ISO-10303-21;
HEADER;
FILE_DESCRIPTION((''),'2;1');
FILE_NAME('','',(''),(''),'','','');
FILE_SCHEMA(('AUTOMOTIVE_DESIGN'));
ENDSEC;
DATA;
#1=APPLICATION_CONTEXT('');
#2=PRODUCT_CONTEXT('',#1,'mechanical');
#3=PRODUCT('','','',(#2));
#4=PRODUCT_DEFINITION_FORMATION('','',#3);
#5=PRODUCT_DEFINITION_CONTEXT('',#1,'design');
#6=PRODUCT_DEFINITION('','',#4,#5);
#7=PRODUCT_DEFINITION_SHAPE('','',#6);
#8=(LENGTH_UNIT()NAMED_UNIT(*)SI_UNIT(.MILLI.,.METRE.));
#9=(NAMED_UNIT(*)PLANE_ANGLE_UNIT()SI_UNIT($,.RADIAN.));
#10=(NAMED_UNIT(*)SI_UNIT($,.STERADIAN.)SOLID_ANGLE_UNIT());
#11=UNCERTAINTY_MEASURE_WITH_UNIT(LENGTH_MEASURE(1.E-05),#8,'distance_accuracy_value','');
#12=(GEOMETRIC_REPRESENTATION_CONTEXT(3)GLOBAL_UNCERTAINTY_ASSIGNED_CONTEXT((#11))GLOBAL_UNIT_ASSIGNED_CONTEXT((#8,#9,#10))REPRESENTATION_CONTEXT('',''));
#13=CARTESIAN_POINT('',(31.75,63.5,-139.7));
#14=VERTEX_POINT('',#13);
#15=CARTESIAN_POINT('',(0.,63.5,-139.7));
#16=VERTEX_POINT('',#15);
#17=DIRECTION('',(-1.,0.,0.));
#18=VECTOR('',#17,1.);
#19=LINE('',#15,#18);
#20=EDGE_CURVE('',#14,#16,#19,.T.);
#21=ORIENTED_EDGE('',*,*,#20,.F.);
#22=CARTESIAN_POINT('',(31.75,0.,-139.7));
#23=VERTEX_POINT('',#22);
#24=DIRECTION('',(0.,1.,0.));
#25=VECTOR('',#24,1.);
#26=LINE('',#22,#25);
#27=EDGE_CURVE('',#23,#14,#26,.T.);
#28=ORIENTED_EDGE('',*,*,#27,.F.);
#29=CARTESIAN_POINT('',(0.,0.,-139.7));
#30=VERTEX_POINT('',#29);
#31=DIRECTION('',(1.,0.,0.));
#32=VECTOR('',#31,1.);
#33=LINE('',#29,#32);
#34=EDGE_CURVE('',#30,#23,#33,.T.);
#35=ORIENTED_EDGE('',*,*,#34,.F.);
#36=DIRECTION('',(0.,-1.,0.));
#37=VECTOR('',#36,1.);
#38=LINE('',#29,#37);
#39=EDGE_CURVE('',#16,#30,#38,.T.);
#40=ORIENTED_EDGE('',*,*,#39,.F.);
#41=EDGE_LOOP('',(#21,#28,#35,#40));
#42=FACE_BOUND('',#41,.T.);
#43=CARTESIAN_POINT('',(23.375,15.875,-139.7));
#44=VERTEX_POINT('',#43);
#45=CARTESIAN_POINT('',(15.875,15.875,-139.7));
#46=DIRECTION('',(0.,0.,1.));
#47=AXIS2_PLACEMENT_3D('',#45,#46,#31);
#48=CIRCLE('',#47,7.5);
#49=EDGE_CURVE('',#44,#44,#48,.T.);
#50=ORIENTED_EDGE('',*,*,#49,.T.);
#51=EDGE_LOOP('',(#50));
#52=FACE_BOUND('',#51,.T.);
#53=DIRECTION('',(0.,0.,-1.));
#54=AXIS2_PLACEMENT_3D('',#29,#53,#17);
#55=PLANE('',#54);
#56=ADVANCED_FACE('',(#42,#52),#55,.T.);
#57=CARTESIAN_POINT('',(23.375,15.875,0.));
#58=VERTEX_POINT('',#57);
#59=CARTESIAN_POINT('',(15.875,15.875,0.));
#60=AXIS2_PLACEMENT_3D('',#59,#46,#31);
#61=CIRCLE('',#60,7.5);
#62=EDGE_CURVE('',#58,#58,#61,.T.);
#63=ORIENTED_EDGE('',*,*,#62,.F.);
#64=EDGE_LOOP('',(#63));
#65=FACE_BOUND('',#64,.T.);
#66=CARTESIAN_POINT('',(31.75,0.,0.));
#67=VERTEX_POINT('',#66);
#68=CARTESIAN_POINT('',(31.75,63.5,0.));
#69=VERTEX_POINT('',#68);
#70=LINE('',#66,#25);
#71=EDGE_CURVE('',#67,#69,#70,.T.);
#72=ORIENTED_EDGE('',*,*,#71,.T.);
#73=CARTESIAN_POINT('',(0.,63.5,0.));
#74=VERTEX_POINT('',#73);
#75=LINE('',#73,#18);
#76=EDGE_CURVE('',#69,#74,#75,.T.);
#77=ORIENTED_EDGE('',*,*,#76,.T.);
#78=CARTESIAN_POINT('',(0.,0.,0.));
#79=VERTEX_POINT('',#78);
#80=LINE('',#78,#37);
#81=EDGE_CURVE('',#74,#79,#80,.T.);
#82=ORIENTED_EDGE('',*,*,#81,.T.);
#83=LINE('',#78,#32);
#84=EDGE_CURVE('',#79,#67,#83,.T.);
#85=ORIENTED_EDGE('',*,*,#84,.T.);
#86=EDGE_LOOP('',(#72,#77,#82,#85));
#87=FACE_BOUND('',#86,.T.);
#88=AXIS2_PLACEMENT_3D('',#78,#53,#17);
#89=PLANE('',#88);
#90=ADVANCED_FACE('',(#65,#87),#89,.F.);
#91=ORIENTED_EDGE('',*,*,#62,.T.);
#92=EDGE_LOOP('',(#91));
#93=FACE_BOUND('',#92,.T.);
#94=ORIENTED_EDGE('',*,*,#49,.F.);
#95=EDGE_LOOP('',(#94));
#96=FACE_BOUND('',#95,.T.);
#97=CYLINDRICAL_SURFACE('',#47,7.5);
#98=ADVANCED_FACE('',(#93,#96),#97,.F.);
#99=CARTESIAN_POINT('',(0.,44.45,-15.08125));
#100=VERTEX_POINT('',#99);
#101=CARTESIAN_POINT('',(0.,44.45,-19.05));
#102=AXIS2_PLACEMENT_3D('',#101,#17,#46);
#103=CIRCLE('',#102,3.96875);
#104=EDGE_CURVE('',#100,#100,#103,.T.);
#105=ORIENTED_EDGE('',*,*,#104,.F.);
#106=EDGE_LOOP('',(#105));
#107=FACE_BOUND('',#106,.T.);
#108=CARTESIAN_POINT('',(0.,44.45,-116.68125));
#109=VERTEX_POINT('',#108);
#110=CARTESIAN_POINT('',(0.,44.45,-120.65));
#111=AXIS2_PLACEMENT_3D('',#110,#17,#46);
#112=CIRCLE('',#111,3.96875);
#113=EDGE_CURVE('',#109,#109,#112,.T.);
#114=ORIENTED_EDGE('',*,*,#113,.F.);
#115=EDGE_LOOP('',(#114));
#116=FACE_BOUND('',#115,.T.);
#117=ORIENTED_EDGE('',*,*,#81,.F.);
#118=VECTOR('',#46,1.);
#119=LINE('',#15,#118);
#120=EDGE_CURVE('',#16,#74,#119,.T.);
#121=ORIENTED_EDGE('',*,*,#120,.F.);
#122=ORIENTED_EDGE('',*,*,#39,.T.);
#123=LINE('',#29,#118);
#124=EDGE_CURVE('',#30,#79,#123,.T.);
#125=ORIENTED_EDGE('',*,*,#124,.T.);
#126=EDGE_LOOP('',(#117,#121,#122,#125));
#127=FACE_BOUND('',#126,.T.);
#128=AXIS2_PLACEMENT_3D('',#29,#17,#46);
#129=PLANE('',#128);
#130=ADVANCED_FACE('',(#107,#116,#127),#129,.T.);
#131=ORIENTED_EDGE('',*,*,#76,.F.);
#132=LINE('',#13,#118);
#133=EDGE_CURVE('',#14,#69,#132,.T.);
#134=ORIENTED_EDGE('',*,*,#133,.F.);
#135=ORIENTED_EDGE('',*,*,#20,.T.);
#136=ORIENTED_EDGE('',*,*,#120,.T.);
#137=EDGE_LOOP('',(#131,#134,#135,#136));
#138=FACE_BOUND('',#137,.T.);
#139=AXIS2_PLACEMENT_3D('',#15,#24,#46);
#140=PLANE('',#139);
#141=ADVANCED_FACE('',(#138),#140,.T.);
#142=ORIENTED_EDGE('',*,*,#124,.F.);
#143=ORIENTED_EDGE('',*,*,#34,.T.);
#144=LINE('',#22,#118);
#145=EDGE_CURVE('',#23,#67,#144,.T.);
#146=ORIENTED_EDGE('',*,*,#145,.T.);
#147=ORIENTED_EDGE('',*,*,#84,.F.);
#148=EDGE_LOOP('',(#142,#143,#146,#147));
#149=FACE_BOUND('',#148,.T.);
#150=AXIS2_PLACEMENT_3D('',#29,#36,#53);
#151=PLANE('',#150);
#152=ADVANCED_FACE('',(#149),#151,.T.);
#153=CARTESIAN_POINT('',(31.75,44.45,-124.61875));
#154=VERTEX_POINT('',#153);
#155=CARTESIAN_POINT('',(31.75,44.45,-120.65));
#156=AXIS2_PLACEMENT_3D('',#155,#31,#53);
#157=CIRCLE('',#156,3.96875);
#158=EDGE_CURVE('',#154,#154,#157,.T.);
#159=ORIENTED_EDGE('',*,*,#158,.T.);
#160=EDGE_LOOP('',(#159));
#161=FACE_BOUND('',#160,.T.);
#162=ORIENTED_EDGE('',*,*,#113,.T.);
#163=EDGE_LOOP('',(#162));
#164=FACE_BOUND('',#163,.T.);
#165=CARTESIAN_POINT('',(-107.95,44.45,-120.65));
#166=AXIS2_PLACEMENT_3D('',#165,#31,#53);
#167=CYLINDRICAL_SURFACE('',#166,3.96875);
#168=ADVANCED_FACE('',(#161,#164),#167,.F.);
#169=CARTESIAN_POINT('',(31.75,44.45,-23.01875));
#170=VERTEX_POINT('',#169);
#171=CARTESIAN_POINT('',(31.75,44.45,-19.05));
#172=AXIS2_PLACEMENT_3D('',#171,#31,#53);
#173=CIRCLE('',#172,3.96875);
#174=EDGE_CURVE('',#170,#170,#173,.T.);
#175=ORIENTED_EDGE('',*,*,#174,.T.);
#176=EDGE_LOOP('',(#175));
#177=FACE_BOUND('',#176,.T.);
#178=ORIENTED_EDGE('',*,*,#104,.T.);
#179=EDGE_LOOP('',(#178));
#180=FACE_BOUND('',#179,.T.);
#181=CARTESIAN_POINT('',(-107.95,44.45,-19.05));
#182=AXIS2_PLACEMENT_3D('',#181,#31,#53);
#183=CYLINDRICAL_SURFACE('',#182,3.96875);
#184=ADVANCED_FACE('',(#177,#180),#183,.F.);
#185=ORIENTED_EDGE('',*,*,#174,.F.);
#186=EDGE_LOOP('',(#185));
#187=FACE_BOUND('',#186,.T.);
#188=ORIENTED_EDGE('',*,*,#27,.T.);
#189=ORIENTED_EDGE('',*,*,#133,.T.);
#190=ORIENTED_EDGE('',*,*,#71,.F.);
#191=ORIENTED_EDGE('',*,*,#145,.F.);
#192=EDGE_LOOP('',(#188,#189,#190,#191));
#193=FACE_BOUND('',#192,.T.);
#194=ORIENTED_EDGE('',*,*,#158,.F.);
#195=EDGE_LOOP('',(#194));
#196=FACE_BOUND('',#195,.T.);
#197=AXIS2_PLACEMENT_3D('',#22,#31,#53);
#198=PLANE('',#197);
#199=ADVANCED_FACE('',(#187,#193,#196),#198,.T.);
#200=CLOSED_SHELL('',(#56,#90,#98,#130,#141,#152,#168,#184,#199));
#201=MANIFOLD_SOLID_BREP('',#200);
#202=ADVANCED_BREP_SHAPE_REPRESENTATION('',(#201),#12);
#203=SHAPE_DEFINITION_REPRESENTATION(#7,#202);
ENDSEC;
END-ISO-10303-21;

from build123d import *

# Parameters (mm, degrees)
SKETCH1_W           = 31.75
SKETCH1_H           = 63.5
SKETCH1_R           = 7.5
BOSS_EXTRUDE1_DEPTH = 139.7
SKETCH2_R           = 3.96875
CUT_EXTRUDE1_DEPTH  = 139.7


with BuildPart() as part:
    # Sketch1 → Boss-Extrude1 (new body)
    with BuildSketch(Plane.XY):
        with Locations((15.875, 31.75)):
            Rectangle(SKETCH1_W, SKETCH1_H)
        with Locations((15.875, 15.875)):
            Circle(SKETCH1_R, mode=Mode.SUBTRACT)
    extrude(amount=-BOSS_EXTRUDE1_DEPTH)

    # Sketch2 → Cut-Extrude1 (cut)
    with BuildSketch(Plane(origin=(31.75, 0, 0), x_dir=(0, 0, -1), z_dir=(1, 0, 0))):
        with Locations((19.05, 44.45)):
            Circle(SKETCH2_R)
        with Locations((120.65, 44.45)):
            Circle(SKETCH2_R)
    extrude(amount=-CUT_EXTRUDE1_DEPTH, mode=Mode.SUBTRACT)


solid = part.part
